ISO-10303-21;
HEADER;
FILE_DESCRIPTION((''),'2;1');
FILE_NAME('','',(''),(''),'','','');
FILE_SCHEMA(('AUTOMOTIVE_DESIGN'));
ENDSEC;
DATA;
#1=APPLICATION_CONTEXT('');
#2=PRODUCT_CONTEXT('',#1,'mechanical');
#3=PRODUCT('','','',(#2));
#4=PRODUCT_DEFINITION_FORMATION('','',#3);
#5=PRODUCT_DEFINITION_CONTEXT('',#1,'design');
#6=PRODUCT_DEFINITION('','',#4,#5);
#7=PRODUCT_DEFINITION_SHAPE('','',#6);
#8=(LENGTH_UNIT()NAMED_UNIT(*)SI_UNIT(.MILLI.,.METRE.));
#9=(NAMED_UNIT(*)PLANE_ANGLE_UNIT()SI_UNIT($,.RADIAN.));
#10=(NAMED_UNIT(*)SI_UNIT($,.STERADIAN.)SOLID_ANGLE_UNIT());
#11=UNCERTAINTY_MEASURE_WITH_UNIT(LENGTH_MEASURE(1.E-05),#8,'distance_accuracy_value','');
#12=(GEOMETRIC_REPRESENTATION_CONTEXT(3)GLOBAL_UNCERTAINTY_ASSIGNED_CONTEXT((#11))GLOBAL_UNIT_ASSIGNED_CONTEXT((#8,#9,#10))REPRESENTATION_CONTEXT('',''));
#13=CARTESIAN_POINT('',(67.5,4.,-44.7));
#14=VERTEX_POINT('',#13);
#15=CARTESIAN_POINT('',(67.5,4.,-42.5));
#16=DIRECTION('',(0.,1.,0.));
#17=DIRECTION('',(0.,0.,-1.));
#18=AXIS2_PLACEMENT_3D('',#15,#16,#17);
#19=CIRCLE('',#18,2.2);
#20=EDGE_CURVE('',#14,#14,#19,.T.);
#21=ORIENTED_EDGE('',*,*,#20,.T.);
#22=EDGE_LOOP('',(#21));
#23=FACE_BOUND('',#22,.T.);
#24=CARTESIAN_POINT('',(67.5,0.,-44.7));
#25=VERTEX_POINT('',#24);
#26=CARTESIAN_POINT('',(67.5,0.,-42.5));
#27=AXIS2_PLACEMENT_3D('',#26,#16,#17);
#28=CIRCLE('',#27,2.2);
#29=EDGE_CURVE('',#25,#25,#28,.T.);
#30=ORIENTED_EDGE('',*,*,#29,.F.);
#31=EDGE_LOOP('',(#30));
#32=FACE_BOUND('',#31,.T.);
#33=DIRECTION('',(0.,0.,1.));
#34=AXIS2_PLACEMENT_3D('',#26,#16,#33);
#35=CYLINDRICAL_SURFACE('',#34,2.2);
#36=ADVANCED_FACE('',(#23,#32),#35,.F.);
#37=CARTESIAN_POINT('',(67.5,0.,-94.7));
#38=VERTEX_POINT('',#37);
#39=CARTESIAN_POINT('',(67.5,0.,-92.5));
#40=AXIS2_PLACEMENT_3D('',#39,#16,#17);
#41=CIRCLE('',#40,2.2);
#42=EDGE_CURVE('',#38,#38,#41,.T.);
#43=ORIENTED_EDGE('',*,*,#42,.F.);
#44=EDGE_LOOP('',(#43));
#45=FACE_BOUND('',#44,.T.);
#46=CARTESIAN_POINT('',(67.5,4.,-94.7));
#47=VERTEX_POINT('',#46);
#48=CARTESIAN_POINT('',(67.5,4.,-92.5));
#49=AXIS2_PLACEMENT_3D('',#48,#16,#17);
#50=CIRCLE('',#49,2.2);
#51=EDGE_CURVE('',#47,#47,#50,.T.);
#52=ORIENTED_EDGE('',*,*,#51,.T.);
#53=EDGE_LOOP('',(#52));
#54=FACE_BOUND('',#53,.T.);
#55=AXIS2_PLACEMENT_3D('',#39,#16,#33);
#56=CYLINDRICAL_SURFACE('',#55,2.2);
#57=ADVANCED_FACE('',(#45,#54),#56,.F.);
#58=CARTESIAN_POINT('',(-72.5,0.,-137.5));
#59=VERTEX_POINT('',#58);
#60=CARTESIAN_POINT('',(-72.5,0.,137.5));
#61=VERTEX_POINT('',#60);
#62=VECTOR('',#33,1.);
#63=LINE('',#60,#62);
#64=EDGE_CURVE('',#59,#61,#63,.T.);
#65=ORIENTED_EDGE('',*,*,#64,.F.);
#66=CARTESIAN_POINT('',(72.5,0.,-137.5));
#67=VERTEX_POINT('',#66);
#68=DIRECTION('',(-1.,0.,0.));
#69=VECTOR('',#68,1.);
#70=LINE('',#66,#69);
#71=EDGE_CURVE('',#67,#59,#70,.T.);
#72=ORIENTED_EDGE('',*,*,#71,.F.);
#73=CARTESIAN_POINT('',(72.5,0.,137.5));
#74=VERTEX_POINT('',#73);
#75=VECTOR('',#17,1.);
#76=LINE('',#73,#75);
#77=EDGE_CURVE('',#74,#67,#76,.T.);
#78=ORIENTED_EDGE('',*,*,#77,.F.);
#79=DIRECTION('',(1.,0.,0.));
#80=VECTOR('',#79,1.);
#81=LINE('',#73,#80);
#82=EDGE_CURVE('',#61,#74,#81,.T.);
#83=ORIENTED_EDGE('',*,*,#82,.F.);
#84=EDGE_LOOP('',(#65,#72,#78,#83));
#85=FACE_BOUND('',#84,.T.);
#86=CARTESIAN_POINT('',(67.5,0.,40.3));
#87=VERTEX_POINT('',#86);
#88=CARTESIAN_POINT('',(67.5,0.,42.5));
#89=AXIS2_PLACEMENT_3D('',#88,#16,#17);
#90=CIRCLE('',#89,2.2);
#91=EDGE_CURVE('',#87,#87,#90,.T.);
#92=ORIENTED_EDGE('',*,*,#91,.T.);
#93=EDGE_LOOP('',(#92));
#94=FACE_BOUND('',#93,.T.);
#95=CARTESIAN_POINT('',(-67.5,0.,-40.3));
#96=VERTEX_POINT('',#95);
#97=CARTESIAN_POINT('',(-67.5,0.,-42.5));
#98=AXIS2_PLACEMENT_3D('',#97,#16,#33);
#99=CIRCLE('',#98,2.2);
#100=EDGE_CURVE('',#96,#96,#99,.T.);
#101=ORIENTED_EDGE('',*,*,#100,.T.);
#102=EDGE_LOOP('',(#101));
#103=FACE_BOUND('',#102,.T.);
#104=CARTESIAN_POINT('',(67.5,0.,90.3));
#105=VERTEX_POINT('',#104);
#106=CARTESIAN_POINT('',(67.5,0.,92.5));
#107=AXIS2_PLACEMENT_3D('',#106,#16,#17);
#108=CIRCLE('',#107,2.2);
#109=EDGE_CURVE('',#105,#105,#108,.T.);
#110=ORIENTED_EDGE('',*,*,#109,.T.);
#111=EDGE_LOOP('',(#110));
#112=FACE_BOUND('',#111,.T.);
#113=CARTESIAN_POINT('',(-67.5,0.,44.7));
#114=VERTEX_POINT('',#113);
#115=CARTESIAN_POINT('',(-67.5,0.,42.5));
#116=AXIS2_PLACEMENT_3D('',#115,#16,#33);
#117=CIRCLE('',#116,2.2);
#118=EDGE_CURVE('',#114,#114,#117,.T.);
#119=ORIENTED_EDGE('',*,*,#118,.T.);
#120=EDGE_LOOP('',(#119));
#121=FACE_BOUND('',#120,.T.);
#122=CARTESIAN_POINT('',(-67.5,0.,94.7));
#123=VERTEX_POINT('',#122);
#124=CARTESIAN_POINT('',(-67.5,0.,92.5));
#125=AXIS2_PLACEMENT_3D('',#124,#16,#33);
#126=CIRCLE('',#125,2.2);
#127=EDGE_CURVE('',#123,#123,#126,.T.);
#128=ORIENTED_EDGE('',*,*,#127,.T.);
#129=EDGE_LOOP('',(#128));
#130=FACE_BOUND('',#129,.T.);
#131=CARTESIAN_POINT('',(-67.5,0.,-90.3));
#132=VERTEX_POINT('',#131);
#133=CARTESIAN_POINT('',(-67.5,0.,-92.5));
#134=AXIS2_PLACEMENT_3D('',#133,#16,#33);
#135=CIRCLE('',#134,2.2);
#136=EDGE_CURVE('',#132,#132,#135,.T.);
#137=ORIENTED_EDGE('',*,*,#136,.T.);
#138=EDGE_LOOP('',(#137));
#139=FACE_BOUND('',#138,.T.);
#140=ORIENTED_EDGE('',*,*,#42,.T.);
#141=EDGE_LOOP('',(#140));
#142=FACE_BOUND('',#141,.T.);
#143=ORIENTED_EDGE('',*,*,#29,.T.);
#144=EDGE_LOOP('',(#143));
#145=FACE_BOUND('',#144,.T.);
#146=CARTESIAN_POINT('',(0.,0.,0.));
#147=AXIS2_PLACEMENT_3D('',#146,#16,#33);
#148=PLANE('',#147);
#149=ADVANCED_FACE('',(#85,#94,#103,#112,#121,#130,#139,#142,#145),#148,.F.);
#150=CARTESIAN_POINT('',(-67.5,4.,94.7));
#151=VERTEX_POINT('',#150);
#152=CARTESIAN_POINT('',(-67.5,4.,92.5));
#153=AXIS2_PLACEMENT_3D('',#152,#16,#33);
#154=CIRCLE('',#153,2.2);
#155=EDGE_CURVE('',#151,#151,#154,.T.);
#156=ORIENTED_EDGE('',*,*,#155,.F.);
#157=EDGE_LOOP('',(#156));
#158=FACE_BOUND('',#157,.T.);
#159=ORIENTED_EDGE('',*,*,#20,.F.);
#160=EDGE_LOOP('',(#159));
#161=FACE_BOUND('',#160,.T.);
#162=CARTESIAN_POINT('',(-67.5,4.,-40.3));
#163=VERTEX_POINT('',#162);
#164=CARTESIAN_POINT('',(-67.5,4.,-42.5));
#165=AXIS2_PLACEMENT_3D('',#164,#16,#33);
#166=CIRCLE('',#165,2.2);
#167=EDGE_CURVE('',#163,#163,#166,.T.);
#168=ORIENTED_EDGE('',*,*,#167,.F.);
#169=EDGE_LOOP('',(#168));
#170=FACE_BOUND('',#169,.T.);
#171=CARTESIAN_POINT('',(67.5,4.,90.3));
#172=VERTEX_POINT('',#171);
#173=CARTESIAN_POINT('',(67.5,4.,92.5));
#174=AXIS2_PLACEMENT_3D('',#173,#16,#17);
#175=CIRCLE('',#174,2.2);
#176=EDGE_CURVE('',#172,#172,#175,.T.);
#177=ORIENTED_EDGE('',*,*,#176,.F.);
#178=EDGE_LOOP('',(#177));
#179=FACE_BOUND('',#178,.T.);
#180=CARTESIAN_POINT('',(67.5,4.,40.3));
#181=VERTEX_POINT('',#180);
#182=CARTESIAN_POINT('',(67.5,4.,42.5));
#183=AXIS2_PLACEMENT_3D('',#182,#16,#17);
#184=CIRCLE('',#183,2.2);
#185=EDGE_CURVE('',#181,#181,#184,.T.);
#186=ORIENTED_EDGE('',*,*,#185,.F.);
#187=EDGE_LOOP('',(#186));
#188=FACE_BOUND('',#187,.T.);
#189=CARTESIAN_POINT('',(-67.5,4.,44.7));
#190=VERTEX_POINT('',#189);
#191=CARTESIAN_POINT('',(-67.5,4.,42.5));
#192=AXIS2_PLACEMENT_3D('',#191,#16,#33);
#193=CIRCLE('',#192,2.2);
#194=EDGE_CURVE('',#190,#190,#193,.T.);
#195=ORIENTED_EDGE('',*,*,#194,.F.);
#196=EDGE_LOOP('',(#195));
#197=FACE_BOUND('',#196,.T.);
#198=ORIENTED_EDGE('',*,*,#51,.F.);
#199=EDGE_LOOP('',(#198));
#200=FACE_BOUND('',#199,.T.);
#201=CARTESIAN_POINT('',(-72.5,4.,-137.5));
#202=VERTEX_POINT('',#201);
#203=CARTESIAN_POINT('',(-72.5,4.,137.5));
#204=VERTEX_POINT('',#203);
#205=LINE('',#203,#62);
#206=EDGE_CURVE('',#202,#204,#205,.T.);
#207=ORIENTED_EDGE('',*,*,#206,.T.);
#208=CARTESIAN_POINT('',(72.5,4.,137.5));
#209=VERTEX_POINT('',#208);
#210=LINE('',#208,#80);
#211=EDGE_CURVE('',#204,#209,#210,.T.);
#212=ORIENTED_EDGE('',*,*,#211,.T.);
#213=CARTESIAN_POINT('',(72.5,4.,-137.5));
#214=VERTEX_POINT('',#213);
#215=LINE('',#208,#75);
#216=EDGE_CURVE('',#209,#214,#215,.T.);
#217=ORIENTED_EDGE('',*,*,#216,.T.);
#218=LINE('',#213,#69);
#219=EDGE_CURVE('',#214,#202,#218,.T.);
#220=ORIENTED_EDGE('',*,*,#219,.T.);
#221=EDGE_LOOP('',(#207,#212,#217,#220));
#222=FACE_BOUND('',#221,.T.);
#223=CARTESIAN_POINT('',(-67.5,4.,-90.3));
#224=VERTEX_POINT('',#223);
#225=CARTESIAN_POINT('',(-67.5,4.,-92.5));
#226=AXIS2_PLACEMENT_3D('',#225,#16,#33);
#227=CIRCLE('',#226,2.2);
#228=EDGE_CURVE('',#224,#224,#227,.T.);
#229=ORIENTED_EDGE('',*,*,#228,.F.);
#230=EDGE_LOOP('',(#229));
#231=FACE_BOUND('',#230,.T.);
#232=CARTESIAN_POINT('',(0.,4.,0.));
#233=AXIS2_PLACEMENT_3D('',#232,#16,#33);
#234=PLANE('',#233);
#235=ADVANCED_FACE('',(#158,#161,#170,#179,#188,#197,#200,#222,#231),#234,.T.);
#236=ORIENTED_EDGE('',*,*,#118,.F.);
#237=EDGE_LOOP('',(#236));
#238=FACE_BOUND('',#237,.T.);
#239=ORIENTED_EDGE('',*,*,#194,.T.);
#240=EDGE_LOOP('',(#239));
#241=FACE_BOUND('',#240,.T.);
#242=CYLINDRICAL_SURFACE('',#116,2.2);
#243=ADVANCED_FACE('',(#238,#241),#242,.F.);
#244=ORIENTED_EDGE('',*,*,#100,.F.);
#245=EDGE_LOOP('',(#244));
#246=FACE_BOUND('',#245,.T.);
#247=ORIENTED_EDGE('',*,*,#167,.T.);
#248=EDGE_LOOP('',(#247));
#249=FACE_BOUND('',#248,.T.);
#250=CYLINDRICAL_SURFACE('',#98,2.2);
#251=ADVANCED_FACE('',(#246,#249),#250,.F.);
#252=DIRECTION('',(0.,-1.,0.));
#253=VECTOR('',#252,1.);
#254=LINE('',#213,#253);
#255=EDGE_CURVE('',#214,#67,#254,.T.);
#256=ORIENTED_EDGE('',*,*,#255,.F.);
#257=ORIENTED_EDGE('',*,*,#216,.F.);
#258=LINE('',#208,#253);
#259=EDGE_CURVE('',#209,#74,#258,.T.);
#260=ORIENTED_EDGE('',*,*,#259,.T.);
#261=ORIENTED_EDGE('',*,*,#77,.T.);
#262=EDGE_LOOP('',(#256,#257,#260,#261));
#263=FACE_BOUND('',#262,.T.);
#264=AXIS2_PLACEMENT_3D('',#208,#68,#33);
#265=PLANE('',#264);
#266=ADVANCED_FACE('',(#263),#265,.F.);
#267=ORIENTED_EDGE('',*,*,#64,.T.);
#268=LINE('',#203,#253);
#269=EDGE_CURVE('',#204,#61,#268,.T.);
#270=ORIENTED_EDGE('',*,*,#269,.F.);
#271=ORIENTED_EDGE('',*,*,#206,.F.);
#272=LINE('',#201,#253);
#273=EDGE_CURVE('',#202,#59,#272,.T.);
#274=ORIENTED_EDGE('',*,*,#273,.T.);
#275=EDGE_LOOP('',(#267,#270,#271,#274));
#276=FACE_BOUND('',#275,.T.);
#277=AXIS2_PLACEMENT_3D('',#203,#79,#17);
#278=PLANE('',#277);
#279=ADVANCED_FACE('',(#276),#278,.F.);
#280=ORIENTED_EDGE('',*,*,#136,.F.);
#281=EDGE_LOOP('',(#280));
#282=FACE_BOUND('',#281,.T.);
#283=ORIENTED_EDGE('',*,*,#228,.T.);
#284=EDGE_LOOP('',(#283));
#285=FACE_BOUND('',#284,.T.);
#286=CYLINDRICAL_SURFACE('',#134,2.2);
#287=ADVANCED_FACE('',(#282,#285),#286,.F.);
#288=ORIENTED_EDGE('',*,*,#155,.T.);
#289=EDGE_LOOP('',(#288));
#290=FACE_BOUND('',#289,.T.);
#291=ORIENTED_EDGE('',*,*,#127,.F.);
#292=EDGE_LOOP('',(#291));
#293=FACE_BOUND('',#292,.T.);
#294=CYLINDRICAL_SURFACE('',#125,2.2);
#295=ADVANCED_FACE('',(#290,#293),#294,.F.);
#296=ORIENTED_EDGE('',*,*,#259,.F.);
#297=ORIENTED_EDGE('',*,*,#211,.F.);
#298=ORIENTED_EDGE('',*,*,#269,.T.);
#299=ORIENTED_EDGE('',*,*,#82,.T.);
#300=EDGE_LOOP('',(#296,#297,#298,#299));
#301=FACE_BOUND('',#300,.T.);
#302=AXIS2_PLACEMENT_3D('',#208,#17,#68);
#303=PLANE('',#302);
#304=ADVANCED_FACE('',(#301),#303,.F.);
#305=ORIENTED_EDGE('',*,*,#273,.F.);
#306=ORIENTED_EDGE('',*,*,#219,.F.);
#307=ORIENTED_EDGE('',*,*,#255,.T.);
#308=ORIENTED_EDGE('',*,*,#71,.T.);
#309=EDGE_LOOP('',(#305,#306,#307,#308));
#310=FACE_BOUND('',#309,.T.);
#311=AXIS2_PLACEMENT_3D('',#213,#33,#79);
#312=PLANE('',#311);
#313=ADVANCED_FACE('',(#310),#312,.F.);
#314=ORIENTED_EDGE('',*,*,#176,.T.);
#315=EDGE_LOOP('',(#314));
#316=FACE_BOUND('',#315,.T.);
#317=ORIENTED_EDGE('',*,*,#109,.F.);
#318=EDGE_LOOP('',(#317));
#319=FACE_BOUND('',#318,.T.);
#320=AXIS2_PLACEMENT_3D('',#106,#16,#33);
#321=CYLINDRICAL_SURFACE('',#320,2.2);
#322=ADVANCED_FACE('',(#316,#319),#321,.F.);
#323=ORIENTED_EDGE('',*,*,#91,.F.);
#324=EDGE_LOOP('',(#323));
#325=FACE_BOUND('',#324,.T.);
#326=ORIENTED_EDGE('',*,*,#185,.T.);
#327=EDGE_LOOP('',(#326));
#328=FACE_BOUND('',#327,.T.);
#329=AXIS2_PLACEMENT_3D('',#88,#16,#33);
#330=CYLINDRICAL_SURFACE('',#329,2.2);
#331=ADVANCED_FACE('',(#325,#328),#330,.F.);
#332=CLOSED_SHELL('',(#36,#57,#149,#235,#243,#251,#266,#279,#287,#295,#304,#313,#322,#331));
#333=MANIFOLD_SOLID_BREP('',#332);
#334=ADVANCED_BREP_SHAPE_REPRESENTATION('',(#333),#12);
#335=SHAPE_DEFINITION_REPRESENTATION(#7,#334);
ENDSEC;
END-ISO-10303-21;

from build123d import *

# Parameters (mm, degrees)
SKETCH2_W           = 145
SKETCH2_H           = 275
BOSS_EXTRUDE1_DEPTH = 4
SKETCH3_R           = 2.2
CUT_EXTRUDE1_DEPTH  = 5


with BuildPart() as part:
    # Sketch2 → Boss-Extrude1 (new body)
    with BuildSketch(Plane(origin=(0, 0, 0), x_dir=(1, 0, 0), z_dir=(0, 1, 0))):
        Rectangle(SKETCH2_W, SKETCH2_H)
    extrude(amount=BOSS_EXTRUDE1_DEPTH)

    # Sketch3 → Cut-Extrude1 (cut, through all)
    with BuildSketch(Plane(origin=(0, 4, 0), x_dir=(1, 0, 0), z_dir=(0, 1, 0))):
        with Locations((-67.5, 92.5)):
            Circle(SKETCH3_R)
        with Locations((-67.5, 42.5)):
            Circle(SKETCH3_R)
        with Locations((-67.5, -42.5)):
            Circle(SKETCH3_R)
        with Locations((-67.5, -92.5)):
            Circle(SKETCH3_R)
        with Locations((67.5, -92.5)):
            Circle(SKETCH3_R)
        with Locations((67.5, -42.5)):
            Circle(SKETCH3_R)
        with Locations((67.5, 42.5)):
            Circle(SKETCH3_R)
        with Locations((67.5, 92.5)):
            Circle(SKETCH3_R)
    extrude(amount=-CUT_EXTRUDE1_DEPTH, mode=Mode.SUBTRACT)


solid = part.part
